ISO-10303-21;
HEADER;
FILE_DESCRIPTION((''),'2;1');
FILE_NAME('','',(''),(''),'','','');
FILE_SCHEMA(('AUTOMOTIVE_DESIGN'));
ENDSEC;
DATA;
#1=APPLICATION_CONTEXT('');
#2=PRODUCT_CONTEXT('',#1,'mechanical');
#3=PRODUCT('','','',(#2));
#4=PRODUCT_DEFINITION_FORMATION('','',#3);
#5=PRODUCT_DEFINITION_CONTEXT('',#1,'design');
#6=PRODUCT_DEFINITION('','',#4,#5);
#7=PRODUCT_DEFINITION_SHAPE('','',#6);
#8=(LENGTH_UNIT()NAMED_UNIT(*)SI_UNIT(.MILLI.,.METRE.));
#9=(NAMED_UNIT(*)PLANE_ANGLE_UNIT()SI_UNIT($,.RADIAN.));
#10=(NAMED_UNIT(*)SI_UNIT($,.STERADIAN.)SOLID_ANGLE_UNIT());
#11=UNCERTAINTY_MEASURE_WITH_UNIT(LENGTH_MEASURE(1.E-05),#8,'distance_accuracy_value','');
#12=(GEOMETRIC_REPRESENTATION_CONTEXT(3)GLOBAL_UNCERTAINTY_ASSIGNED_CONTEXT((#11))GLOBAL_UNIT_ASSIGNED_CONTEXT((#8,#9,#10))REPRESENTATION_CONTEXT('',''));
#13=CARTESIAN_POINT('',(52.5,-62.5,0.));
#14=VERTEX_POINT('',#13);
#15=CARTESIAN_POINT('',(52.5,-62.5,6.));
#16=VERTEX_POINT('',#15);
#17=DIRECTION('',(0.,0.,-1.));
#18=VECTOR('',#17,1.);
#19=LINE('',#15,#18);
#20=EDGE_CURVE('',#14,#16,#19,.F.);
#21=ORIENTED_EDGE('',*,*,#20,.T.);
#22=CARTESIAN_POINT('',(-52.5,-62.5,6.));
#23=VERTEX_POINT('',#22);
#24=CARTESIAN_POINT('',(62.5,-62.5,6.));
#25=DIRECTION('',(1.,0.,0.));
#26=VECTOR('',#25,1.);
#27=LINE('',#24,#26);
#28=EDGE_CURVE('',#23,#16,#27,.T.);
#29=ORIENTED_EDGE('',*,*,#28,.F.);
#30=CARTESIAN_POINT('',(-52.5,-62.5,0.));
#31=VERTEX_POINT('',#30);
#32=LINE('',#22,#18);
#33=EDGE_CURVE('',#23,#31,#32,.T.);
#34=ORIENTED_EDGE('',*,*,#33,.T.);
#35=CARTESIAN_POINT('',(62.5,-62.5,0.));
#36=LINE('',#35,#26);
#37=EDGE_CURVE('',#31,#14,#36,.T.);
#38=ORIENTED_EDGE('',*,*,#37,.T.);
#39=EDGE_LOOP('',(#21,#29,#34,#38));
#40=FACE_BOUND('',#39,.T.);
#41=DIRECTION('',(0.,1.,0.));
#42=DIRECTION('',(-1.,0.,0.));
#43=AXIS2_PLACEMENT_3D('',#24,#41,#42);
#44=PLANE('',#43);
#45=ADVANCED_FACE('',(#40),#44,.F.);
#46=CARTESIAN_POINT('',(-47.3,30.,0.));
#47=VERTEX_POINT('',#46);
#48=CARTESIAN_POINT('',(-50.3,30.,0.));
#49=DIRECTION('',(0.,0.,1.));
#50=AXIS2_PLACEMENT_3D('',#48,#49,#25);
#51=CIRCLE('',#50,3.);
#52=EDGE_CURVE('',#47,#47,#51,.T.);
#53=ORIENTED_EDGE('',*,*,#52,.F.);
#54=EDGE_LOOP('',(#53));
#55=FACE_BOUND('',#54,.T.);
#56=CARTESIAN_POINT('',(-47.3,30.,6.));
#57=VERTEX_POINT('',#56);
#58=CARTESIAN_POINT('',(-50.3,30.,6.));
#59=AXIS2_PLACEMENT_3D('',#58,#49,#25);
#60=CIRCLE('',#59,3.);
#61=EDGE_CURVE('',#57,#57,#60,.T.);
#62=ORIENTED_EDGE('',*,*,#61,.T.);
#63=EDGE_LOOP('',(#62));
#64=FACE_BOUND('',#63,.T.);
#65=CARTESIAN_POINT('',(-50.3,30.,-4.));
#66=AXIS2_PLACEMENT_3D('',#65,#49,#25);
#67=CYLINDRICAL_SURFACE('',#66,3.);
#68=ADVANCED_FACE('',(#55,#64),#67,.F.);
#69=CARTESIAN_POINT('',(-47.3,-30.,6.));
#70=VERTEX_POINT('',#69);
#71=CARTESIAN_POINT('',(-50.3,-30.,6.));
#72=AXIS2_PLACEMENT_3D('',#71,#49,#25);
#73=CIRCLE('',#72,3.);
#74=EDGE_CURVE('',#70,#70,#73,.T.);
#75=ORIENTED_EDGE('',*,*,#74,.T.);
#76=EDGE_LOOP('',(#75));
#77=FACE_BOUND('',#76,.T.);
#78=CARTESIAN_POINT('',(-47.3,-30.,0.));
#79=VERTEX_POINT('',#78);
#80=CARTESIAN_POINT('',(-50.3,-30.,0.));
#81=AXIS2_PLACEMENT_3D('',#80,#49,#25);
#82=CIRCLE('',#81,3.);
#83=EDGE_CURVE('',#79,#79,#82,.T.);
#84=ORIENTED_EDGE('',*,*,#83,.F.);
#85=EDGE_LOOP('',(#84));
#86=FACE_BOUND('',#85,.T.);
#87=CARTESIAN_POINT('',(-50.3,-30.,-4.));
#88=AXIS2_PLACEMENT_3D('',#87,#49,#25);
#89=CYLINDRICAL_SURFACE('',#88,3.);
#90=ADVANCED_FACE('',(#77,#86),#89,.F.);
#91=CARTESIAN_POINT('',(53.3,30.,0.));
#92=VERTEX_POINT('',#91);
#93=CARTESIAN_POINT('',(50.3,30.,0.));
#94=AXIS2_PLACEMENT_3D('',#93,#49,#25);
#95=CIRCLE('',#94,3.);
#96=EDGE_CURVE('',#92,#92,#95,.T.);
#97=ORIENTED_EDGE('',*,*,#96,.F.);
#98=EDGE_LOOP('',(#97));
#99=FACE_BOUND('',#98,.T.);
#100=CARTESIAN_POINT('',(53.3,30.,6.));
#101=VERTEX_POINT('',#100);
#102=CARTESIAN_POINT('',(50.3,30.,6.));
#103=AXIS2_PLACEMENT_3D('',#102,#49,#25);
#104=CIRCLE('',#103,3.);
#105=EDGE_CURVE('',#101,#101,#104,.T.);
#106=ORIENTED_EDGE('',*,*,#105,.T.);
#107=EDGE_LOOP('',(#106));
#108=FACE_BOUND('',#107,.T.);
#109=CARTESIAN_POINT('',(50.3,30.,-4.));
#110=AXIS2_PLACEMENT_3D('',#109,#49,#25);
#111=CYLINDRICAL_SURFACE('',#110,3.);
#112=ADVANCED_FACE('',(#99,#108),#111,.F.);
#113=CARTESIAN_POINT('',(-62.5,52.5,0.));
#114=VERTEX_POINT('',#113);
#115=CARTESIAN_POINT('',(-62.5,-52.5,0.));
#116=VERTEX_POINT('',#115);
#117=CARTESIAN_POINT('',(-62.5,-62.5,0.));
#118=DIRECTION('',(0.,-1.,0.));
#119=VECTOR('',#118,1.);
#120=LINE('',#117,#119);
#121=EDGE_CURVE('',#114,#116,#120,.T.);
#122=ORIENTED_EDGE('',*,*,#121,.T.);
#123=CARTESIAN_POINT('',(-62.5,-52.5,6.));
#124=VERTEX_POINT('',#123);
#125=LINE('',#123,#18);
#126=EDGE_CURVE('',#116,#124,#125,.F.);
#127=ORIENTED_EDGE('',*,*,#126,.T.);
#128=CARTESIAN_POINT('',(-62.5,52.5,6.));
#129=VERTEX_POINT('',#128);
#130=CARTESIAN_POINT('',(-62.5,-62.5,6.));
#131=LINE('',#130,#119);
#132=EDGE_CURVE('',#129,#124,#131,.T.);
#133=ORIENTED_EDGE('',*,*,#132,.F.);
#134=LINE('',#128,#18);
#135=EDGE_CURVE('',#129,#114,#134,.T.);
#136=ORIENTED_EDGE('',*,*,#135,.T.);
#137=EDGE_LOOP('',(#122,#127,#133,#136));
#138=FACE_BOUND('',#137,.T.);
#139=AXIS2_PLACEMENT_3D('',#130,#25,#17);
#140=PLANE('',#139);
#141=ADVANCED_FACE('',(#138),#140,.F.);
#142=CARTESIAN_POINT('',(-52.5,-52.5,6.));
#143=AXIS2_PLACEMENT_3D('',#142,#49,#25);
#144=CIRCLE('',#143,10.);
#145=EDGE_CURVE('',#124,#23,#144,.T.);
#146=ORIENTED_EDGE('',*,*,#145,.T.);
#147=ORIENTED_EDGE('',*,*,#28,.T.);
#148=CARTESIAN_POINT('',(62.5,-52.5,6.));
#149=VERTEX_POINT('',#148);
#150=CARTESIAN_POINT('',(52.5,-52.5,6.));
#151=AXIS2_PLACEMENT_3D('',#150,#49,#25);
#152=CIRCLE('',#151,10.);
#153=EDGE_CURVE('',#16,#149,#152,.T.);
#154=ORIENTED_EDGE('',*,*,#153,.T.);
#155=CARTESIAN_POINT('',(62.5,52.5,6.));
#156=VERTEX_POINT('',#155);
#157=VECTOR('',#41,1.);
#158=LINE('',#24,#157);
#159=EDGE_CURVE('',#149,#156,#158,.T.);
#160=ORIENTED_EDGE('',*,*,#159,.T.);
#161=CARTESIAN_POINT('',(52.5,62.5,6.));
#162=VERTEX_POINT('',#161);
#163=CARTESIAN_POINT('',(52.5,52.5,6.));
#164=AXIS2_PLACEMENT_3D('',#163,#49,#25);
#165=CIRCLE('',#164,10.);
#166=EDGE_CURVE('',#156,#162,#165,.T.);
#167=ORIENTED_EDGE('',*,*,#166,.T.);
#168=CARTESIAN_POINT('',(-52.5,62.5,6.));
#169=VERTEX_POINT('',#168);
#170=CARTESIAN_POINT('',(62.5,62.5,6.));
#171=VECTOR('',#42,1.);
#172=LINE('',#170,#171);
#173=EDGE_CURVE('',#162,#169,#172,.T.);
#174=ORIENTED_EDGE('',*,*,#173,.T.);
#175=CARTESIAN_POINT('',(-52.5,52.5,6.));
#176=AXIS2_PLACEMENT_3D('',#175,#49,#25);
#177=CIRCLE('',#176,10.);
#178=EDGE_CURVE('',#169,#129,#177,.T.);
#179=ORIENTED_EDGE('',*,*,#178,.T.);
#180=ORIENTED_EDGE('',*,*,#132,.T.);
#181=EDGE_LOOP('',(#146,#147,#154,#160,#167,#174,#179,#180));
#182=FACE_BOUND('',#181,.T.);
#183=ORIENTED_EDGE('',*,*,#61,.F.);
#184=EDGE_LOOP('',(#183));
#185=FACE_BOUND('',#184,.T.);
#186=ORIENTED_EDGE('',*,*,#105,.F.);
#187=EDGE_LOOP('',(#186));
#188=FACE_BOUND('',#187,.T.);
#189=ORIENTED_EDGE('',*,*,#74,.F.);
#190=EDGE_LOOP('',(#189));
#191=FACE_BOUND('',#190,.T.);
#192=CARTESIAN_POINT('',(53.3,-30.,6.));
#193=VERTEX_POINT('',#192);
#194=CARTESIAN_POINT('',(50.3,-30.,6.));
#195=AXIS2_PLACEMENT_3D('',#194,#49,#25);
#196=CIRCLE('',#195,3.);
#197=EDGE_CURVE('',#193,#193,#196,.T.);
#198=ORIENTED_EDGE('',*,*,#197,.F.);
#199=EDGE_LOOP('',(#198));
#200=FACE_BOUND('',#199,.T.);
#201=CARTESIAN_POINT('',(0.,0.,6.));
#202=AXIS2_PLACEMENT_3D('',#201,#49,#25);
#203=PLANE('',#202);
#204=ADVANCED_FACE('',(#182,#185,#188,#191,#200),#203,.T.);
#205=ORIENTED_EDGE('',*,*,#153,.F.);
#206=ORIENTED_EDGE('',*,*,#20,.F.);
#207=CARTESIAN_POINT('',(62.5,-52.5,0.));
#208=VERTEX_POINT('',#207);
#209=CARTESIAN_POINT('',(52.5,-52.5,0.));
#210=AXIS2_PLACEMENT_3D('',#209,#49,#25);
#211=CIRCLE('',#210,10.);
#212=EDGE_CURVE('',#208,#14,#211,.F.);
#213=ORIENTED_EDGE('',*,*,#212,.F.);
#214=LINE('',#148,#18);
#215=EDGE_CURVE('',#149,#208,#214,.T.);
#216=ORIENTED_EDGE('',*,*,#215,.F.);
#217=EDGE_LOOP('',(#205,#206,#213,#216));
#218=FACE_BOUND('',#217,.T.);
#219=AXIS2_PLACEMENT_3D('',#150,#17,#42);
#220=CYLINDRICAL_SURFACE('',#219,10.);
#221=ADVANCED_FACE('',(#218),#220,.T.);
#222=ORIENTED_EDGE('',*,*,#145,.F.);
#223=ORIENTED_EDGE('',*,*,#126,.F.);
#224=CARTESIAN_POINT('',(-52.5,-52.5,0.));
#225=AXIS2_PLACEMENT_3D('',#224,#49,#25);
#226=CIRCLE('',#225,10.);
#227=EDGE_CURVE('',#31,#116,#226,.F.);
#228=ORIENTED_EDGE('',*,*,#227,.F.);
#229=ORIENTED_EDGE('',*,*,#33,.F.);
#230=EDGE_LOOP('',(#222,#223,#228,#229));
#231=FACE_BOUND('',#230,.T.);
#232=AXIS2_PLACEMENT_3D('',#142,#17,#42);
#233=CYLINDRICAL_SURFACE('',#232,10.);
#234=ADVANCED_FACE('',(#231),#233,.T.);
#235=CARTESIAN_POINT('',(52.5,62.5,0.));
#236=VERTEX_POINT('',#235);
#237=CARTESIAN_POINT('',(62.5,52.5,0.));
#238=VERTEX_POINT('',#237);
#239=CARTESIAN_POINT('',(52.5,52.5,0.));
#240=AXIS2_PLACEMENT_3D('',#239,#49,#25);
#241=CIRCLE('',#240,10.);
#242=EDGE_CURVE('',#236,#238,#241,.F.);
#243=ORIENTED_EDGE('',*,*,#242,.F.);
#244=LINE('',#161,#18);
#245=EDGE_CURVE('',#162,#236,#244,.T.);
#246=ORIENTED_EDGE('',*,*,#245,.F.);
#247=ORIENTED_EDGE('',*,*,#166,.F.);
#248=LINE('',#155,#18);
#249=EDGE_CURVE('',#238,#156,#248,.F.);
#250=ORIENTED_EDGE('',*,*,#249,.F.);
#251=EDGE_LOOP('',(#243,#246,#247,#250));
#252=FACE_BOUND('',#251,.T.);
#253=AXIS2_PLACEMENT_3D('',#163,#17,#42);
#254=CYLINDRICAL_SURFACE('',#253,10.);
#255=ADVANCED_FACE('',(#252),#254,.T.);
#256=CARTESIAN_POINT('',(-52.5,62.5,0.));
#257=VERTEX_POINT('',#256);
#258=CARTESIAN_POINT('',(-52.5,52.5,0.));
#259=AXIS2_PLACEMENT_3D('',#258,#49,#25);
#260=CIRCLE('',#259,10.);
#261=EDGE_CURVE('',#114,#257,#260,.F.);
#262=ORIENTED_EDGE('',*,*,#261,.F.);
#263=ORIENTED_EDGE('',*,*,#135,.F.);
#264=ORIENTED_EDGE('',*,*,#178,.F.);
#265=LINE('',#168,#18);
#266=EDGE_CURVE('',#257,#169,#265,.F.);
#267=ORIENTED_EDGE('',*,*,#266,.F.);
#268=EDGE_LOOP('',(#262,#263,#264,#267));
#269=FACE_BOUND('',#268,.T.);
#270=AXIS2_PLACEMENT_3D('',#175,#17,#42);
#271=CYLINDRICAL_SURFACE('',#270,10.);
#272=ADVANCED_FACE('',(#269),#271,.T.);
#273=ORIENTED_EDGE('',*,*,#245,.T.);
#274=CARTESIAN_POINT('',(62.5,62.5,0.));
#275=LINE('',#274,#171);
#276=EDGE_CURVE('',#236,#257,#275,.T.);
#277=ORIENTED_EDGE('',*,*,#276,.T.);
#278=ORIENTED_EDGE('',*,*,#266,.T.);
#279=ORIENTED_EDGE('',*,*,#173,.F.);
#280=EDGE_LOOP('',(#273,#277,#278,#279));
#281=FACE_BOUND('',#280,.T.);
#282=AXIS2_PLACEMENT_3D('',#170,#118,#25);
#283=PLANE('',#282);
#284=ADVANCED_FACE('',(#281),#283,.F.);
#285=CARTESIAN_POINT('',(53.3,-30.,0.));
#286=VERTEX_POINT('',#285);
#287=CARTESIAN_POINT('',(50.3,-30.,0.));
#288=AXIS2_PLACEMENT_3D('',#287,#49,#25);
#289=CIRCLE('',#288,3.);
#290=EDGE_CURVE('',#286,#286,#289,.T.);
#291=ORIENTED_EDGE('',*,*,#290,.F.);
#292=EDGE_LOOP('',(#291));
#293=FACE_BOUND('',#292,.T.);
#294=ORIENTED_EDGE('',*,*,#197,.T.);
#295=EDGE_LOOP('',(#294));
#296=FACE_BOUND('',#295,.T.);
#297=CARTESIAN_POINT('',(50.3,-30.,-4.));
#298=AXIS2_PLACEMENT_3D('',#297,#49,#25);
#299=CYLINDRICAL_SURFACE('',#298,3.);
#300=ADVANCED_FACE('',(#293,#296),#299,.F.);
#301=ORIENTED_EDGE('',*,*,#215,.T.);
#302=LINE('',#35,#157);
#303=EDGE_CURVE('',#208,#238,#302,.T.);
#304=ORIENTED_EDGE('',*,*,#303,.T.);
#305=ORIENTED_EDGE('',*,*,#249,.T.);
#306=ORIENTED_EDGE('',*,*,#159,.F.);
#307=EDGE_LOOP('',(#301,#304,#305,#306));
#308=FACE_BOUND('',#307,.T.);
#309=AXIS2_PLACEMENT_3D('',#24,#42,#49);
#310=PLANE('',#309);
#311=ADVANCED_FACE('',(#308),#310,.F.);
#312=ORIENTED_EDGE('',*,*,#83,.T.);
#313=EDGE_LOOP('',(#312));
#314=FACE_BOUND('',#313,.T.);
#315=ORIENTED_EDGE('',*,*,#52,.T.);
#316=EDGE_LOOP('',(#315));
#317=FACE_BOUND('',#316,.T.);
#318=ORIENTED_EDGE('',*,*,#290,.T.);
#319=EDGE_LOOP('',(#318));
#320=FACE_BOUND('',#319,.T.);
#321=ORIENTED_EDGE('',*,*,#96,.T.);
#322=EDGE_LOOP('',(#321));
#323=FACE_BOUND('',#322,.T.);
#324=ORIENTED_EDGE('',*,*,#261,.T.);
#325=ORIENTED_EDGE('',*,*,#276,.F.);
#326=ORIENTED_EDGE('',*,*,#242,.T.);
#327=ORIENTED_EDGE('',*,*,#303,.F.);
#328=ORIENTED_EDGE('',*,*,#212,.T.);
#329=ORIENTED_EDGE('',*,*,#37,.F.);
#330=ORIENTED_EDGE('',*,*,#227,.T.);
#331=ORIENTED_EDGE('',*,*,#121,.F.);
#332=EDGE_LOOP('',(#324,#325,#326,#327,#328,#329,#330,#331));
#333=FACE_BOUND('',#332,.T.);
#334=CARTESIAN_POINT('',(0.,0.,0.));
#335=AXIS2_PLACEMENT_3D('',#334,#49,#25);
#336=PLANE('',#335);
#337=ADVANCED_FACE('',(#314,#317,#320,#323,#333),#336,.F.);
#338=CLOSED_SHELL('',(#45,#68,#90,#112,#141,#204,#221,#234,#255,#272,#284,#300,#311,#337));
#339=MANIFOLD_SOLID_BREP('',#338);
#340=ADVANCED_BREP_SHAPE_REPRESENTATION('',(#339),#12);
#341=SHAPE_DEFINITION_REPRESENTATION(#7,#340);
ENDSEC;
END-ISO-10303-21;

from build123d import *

# Parameters (mm, degrees)
SKETCH1_W           = 125
SKETCH1_H           = 125
BOSS_EXTRUDE1_DEPTH = 6
FILLET1_R           = 10
SKETCH9_R           = 3
CUT_EXTRUDE1_DEPTH  = 10


with BuildPart() as part:
    # Sketch1 → Boss-Extrude1 (new body)
    with BuildSketch(Plane.XY):
        Rectangle(SKETCH1_W, SKETCH1_H)
    extrude(amount=BOSS_EXTRUDE1_DEPTH)

    # Fillet1
    fillet1_edges = [part.edges().sort_by_distance(p)[0] for p in [
        (-62.5, 62.5, 3),
        (62.5, 62.5, 3),
        (62.5, -62.5, 3),
        (-62.5, -62.5, 3),
    ]]
    fillet(fillet1_edges, radius=FILLET1_R)

    # Sketch9 → Cut-Extrude1 (cut)
    with BuildSketch(Plane.XY.offset(6)):
        with Locations((50.3, 30)):
            Circle(SKETCH9_R)
        with Locations((50.3, -30)):
            Circle(SKETCH9_R)
        with Locations((-50.3, 30)):
            Circle(SKETCH9_R)
        with Locations((-50.3, -30)):
            Circle(SKETCH9_R)
    extrude(amount=-CUT_EXTRUDE1_DEPTH, mode=Mode.SUBTRACT)


solid = part.part
